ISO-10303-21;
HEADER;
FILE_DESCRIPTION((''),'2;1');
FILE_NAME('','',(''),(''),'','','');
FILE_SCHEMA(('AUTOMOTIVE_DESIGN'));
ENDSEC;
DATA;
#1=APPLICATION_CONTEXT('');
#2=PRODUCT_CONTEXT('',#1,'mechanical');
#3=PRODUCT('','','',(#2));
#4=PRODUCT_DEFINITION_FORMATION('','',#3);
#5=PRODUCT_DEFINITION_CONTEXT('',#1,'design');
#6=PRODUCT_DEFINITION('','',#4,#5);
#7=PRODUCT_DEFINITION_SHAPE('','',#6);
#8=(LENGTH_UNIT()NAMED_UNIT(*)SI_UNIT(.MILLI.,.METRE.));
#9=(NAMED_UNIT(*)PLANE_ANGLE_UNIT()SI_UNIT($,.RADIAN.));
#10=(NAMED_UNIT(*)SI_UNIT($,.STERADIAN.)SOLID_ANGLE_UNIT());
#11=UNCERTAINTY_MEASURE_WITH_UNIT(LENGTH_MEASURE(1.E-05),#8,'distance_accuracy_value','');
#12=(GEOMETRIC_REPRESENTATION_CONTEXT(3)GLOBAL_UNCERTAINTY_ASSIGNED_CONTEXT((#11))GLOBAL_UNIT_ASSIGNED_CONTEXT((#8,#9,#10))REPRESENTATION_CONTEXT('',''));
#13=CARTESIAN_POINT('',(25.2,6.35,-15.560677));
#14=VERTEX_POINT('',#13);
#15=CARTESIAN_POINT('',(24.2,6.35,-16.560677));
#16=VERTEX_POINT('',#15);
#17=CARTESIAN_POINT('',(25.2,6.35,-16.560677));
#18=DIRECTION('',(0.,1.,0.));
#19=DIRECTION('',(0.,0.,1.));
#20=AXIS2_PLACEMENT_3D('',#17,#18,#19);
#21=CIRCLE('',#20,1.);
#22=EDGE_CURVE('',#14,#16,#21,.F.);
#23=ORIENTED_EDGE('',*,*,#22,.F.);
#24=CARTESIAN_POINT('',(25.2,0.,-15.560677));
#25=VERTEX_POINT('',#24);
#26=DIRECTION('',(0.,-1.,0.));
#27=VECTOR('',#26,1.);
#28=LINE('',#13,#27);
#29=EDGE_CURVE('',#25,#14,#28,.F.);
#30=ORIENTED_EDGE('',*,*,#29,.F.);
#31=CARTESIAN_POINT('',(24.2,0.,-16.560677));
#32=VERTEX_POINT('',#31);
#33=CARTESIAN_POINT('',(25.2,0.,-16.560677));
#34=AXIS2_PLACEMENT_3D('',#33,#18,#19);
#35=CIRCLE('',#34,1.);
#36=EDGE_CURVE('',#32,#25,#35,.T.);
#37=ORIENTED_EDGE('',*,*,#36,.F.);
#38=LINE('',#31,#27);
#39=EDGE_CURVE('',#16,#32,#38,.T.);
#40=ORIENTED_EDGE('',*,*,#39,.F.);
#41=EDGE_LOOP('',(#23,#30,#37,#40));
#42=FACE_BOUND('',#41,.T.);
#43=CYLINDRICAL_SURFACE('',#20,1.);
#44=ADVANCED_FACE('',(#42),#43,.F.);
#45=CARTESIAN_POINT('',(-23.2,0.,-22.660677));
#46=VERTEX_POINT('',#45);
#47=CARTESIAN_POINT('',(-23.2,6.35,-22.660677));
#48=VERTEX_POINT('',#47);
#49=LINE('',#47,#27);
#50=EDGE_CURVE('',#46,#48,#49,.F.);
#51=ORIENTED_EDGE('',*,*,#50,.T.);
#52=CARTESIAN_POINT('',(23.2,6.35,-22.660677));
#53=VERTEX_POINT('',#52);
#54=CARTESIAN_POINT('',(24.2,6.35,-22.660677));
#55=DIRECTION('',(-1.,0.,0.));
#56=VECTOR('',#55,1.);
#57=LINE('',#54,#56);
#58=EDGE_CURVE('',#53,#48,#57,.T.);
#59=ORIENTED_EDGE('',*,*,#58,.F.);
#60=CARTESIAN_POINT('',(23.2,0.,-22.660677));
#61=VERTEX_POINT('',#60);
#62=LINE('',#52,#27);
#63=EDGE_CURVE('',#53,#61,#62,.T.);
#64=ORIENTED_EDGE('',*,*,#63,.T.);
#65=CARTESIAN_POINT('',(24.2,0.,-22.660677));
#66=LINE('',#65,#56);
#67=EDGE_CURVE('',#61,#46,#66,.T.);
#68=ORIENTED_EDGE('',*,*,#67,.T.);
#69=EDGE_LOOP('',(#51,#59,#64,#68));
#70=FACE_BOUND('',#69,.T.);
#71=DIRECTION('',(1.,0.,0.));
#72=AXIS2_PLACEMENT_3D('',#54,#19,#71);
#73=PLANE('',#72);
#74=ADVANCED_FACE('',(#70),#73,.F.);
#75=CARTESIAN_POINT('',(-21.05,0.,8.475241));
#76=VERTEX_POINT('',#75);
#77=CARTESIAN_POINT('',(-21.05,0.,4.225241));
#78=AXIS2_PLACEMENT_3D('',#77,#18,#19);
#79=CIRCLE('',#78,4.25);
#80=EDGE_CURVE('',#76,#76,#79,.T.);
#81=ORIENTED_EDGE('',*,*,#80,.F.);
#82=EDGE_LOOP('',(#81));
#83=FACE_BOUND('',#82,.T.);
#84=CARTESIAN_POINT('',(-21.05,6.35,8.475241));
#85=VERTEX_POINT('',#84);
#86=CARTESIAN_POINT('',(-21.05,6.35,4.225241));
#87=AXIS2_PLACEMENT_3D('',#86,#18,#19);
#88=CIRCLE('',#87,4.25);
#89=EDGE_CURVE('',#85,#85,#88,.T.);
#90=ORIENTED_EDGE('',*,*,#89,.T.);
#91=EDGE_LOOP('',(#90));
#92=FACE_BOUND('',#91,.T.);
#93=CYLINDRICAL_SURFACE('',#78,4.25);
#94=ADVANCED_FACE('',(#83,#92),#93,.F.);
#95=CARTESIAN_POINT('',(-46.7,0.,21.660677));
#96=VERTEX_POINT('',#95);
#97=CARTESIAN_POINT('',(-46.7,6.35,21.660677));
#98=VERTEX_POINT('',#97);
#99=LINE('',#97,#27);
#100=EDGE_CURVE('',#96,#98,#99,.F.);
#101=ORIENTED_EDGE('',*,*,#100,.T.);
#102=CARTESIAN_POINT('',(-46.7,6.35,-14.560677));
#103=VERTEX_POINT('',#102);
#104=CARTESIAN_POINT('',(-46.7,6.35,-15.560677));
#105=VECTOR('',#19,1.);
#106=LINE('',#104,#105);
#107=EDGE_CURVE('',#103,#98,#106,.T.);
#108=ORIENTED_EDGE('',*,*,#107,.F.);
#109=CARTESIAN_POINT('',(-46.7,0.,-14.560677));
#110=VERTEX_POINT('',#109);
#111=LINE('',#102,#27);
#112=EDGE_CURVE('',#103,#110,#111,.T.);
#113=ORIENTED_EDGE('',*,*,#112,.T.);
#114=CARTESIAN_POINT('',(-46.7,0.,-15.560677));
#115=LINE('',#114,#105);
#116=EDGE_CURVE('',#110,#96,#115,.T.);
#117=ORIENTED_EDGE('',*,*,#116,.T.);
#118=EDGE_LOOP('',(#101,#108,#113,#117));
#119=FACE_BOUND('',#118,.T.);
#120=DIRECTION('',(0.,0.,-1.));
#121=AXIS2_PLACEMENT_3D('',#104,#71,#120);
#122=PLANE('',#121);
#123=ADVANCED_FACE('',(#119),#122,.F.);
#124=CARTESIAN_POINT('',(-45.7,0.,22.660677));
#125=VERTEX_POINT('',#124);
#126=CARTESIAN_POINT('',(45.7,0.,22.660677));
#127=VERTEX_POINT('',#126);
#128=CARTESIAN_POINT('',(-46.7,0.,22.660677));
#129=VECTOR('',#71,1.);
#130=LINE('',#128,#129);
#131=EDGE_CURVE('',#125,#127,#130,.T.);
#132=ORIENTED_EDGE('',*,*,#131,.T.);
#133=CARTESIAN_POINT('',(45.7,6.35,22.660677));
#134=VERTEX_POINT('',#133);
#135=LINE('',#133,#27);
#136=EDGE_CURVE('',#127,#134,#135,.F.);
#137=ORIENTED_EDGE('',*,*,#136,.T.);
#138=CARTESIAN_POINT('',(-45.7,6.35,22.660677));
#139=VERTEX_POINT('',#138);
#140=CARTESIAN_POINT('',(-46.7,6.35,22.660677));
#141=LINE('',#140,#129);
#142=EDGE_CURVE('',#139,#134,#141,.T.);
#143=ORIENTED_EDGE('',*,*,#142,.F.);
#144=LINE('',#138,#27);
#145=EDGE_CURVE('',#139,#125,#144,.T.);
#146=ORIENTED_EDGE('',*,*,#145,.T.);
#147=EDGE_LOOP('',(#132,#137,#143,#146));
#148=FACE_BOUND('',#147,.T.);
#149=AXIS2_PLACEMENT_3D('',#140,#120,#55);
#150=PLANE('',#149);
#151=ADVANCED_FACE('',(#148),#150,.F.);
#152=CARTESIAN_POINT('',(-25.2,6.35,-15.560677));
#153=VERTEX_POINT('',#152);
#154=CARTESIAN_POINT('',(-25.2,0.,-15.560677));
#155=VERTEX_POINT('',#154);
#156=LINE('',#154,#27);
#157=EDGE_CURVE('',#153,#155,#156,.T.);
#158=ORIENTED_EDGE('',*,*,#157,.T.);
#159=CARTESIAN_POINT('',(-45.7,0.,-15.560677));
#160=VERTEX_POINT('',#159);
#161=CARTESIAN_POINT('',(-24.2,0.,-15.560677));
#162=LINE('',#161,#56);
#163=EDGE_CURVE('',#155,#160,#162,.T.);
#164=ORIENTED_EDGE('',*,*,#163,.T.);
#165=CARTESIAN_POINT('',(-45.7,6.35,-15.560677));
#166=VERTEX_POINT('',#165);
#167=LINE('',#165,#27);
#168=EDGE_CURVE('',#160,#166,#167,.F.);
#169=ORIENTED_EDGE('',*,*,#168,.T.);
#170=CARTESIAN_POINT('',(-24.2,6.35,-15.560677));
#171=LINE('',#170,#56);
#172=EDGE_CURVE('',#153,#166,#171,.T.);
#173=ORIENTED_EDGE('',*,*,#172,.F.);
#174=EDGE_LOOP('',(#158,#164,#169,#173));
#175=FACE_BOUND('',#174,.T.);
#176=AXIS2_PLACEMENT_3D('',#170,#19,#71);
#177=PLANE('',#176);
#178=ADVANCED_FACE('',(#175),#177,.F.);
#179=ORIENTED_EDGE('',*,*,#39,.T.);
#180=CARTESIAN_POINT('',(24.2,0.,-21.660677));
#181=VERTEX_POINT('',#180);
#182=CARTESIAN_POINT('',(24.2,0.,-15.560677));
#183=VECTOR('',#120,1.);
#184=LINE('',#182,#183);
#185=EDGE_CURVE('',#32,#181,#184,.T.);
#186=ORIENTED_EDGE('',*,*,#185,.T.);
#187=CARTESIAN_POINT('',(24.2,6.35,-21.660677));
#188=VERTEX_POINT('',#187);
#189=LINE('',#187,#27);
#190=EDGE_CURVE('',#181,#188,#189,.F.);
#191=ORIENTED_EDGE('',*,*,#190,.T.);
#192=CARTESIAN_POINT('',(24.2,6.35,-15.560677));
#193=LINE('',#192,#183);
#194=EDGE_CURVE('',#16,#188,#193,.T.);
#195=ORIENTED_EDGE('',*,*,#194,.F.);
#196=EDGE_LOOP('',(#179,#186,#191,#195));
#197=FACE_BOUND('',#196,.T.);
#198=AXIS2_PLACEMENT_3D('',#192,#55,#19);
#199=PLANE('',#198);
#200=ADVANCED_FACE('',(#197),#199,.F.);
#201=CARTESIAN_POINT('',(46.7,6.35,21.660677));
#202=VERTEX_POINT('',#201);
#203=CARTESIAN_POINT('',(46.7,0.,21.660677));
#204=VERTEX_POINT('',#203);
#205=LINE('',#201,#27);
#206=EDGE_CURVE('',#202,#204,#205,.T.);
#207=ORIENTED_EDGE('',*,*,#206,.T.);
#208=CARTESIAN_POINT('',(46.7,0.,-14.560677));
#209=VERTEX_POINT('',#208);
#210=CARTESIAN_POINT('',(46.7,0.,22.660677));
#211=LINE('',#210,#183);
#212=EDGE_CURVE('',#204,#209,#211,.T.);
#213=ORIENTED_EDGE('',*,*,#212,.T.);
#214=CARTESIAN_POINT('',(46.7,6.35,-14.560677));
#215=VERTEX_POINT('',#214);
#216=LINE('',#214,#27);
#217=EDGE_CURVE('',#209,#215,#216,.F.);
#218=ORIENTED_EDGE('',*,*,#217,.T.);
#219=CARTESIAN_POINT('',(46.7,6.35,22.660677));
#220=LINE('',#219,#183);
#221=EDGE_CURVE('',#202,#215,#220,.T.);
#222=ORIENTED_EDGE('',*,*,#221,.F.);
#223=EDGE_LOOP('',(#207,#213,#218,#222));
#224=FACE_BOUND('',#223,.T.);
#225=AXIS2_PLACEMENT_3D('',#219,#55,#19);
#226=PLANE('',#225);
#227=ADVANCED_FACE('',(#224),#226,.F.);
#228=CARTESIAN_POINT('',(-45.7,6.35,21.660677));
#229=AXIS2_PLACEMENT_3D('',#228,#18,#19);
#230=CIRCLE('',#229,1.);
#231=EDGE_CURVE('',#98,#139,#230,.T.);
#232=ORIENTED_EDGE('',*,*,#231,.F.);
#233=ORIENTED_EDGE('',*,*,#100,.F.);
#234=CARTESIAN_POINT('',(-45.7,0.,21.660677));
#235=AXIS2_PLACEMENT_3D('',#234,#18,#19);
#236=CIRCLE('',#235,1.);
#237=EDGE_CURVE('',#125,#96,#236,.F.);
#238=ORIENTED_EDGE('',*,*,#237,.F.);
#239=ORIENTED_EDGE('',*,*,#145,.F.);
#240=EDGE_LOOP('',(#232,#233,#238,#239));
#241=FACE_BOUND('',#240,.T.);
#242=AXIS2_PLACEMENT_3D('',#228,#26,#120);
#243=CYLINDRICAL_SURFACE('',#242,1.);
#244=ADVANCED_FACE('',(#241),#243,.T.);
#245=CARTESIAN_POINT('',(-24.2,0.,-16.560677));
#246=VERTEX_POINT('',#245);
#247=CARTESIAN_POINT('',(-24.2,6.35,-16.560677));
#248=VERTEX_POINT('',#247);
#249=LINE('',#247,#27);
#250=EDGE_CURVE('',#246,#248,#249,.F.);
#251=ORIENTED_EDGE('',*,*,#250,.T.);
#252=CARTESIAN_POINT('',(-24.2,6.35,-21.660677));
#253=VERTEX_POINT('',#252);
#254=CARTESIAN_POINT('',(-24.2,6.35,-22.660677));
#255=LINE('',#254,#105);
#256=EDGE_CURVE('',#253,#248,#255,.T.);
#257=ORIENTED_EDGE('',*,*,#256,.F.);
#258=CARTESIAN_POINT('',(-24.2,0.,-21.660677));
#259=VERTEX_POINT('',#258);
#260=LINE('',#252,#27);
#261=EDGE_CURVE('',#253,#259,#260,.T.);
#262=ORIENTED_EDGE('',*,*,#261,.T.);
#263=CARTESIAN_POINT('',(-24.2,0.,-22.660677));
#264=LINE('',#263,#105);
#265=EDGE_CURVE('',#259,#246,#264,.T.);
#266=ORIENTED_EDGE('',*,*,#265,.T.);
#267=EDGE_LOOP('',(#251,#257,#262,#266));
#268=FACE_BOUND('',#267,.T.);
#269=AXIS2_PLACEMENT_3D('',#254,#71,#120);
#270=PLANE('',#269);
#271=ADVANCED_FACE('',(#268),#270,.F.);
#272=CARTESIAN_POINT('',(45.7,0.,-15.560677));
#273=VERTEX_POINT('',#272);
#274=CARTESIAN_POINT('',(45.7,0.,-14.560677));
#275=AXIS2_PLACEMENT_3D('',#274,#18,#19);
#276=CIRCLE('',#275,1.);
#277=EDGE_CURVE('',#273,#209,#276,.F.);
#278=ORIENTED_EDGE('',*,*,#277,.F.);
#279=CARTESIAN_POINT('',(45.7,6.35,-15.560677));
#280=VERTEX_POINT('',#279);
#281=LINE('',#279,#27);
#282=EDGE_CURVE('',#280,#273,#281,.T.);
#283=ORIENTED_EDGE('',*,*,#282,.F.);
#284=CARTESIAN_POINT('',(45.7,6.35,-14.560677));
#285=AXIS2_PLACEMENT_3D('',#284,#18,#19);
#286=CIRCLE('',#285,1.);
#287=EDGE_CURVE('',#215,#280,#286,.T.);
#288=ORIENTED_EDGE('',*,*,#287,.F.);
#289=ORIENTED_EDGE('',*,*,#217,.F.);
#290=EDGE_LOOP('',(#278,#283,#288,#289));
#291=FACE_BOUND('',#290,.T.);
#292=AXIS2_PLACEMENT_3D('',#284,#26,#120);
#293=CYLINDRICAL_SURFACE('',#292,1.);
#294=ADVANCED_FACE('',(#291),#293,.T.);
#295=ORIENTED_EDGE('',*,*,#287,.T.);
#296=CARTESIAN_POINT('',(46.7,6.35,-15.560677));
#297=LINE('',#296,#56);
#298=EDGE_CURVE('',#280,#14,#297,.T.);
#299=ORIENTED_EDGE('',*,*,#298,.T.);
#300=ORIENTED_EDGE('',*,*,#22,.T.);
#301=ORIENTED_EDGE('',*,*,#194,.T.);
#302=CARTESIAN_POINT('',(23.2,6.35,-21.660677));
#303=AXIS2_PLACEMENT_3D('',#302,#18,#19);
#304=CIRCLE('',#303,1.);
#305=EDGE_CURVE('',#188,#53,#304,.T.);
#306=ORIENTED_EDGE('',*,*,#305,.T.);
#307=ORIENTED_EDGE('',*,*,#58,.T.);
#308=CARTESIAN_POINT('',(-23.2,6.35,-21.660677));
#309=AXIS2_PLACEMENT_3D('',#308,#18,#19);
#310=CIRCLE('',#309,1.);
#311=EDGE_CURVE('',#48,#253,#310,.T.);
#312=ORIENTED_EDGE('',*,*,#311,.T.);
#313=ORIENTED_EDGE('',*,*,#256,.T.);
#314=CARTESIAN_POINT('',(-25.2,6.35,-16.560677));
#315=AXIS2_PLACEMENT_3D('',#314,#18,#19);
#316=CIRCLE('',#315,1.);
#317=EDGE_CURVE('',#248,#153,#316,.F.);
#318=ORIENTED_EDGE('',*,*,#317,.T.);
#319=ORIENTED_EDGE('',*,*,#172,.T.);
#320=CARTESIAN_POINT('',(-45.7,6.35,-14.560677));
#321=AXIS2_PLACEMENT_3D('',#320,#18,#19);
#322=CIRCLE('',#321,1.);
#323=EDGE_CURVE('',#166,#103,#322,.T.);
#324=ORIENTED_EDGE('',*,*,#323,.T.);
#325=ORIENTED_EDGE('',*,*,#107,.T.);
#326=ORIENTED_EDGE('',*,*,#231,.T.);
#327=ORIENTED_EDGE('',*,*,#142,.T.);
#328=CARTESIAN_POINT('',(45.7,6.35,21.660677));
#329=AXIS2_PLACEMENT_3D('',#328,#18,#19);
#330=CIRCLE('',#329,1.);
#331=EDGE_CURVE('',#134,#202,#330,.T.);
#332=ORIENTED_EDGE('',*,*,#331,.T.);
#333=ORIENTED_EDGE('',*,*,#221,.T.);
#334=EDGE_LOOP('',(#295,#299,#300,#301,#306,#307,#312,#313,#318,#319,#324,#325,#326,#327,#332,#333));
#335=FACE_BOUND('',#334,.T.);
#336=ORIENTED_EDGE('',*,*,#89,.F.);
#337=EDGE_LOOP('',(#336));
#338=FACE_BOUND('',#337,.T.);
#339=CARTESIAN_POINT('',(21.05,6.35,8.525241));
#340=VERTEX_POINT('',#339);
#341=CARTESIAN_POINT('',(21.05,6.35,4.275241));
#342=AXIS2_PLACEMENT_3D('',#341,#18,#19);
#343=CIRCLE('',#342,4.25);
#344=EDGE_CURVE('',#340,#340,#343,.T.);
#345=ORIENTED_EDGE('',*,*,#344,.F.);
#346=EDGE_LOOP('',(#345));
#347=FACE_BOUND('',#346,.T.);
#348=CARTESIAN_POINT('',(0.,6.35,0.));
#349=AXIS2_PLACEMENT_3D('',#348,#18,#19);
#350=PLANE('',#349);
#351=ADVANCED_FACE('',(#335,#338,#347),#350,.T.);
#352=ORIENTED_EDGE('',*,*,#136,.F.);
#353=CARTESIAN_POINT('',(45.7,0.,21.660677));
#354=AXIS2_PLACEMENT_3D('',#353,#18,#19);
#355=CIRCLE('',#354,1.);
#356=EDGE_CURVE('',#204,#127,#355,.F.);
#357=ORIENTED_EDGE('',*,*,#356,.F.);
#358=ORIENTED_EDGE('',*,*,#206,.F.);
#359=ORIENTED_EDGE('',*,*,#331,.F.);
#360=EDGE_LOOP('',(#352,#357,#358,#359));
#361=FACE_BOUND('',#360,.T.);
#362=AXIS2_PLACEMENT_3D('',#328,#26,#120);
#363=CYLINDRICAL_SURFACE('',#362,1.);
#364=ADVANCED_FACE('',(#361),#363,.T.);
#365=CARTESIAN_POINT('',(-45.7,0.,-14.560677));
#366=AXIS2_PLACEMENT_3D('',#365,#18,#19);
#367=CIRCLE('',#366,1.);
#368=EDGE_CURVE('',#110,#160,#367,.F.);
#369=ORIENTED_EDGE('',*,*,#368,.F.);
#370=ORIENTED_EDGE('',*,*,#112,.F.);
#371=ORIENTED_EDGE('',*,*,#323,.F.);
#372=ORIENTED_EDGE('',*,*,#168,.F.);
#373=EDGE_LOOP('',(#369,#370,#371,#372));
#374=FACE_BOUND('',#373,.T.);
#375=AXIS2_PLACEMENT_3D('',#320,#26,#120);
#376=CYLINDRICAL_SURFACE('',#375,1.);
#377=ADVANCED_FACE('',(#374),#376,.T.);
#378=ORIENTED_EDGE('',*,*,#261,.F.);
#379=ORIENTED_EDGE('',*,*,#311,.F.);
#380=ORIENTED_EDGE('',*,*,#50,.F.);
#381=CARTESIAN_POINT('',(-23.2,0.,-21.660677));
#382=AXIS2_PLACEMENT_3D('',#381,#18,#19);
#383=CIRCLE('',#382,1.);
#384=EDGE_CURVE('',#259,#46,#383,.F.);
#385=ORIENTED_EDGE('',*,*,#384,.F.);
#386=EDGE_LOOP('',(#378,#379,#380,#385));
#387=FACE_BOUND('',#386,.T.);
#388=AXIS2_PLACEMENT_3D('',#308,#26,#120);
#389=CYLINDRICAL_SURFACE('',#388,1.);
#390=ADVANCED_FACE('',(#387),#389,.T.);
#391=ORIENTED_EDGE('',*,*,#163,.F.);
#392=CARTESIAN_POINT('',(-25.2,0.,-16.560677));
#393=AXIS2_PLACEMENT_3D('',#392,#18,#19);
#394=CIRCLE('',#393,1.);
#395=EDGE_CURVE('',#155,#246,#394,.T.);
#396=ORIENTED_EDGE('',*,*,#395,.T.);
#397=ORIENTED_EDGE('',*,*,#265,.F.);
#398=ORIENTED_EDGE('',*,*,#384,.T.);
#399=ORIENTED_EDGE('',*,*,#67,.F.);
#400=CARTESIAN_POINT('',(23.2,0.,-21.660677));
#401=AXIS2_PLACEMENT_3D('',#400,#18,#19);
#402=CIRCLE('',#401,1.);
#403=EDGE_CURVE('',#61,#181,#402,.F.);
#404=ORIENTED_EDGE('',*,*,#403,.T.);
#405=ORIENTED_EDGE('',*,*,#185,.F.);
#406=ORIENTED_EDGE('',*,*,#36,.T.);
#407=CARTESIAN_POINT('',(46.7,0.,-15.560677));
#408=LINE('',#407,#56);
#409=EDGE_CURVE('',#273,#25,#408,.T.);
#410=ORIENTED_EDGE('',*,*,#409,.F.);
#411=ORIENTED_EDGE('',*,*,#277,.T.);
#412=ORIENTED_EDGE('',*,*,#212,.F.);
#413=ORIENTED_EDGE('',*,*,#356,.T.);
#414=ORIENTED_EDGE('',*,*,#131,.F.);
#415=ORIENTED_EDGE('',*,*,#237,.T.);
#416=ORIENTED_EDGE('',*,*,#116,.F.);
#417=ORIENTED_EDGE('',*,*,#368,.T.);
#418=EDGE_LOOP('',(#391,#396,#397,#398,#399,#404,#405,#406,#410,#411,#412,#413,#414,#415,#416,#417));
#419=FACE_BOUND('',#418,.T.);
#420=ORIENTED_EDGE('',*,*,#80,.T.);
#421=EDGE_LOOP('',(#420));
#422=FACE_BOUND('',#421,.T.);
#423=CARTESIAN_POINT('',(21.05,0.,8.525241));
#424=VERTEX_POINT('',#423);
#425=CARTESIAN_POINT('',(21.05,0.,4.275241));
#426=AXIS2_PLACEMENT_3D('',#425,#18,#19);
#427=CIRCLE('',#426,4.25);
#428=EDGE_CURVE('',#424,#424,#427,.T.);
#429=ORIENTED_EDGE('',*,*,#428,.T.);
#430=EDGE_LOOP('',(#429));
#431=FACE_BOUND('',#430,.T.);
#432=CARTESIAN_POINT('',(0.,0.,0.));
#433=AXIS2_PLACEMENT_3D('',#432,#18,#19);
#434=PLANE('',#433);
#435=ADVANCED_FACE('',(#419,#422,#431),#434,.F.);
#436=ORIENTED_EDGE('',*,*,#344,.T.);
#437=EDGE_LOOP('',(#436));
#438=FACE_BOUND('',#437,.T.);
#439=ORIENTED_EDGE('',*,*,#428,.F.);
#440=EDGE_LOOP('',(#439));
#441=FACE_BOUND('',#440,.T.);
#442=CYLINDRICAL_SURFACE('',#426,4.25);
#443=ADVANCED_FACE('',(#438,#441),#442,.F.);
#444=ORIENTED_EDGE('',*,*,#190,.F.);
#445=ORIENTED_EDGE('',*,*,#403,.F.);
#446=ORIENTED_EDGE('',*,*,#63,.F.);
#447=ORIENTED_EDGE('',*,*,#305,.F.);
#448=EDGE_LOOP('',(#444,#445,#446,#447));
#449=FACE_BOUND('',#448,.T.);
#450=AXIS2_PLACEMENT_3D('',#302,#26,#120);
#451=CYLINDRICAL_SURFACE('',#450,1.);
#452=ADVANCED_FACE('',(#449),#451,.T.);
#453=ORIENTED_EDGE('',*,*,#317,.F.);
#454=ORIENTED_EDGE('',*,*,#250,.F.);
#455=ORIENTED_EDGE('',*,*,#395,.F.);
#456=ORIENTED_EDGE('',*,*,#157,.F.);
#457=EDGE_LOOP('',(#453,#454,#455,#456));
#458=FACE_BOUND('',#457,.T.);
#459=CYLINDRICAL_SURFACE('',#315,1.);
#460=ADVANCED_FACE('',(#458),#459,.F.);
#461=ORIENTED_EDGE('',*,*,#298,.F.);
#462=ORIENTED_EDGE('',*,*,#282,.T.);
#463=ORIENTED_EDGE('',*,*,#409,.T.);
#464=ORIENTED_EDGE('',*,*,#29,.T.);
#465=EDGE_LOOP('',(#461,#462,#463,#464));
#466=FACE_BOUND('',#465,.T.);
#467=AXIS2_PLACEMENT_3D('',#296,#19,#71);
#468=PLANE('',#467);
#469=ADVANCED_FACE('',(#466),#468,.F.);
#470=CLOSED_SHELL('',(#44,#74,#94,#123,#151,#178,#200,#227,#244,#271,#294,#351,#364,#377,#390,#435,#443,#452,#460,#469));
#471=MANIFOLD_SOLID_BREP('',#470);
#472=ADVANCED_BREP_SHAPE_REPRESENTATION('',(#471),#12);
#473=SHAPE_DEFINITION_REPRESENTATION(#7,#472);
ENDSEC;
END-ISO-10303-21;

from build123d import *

# Parameters (mm, degrees)
BOSS_EXTRUDE2_DEPTH = 6.35
SKETCH3_R           = 4.25
CUT_EXTRUDE1_DEPTH  = 53.294538816
FILLET1_R           = 1


with BuildPart() as part:
    # Sketch2 → Boss-Extrude2 (new body)
    with BuildSketch(Plane(origin=(0, 0, 0), x_dir=(1, 0, 0), z_dir=(0, 1, 0))):
        Polygon((46.7, -22.660677173), (46.7, 15.560677173), (24.2, 15.560677173), (24.2, 22.660677173), (-24.2, 22.660677173), (-24.2, 15.560677173), (-46.7, 15.560677173), (-46.7, -22.660677173), align=None)
    extrude(amount=BOSS_EXTRUDE2_DEPTH)

    # Sketch3 → Cut-Extrude1 (cut, through all)
    with BuildSketch(Plane(origin=(0, 6.35, 0), x_dir=(1, 0, 0), z_dir=(0, 1, 0))):
        with Locations(Location((-21.05, -4.225241458, 0), (0, 0, 270))):
            Circle(SKETCH3_R)
        with Locations(Location((21.05, -4.275241458, 0), (0, 0, 270))):
            Circle(SKETCH3_R)
    extrude(amount=-CUT_EXTRUDE1_DEPTH, mode=Mode.SUBTRACT)

    # Fillet1
    fillet1_edges = [part.edges().sort_by_distance(p)[0] for p in [
        (-46.7, 3.175, 22.660677173),
        (-46.7, 3.175, -15.560677173),
        (-24.2, 3.175, -15.560677173),
        (-24.2, 3.175, -22.660677173),
        (24.2, 3.175, -22.660677173),
        (24.2, 3.175, -15.560677173),
        (46.7, 3.175, -15.560677173),
        (46.7, 3.175, 22.660677173),
    ]]
    fillet(fillet1_edges, radius=FILLET1_R)


solid = part.part
